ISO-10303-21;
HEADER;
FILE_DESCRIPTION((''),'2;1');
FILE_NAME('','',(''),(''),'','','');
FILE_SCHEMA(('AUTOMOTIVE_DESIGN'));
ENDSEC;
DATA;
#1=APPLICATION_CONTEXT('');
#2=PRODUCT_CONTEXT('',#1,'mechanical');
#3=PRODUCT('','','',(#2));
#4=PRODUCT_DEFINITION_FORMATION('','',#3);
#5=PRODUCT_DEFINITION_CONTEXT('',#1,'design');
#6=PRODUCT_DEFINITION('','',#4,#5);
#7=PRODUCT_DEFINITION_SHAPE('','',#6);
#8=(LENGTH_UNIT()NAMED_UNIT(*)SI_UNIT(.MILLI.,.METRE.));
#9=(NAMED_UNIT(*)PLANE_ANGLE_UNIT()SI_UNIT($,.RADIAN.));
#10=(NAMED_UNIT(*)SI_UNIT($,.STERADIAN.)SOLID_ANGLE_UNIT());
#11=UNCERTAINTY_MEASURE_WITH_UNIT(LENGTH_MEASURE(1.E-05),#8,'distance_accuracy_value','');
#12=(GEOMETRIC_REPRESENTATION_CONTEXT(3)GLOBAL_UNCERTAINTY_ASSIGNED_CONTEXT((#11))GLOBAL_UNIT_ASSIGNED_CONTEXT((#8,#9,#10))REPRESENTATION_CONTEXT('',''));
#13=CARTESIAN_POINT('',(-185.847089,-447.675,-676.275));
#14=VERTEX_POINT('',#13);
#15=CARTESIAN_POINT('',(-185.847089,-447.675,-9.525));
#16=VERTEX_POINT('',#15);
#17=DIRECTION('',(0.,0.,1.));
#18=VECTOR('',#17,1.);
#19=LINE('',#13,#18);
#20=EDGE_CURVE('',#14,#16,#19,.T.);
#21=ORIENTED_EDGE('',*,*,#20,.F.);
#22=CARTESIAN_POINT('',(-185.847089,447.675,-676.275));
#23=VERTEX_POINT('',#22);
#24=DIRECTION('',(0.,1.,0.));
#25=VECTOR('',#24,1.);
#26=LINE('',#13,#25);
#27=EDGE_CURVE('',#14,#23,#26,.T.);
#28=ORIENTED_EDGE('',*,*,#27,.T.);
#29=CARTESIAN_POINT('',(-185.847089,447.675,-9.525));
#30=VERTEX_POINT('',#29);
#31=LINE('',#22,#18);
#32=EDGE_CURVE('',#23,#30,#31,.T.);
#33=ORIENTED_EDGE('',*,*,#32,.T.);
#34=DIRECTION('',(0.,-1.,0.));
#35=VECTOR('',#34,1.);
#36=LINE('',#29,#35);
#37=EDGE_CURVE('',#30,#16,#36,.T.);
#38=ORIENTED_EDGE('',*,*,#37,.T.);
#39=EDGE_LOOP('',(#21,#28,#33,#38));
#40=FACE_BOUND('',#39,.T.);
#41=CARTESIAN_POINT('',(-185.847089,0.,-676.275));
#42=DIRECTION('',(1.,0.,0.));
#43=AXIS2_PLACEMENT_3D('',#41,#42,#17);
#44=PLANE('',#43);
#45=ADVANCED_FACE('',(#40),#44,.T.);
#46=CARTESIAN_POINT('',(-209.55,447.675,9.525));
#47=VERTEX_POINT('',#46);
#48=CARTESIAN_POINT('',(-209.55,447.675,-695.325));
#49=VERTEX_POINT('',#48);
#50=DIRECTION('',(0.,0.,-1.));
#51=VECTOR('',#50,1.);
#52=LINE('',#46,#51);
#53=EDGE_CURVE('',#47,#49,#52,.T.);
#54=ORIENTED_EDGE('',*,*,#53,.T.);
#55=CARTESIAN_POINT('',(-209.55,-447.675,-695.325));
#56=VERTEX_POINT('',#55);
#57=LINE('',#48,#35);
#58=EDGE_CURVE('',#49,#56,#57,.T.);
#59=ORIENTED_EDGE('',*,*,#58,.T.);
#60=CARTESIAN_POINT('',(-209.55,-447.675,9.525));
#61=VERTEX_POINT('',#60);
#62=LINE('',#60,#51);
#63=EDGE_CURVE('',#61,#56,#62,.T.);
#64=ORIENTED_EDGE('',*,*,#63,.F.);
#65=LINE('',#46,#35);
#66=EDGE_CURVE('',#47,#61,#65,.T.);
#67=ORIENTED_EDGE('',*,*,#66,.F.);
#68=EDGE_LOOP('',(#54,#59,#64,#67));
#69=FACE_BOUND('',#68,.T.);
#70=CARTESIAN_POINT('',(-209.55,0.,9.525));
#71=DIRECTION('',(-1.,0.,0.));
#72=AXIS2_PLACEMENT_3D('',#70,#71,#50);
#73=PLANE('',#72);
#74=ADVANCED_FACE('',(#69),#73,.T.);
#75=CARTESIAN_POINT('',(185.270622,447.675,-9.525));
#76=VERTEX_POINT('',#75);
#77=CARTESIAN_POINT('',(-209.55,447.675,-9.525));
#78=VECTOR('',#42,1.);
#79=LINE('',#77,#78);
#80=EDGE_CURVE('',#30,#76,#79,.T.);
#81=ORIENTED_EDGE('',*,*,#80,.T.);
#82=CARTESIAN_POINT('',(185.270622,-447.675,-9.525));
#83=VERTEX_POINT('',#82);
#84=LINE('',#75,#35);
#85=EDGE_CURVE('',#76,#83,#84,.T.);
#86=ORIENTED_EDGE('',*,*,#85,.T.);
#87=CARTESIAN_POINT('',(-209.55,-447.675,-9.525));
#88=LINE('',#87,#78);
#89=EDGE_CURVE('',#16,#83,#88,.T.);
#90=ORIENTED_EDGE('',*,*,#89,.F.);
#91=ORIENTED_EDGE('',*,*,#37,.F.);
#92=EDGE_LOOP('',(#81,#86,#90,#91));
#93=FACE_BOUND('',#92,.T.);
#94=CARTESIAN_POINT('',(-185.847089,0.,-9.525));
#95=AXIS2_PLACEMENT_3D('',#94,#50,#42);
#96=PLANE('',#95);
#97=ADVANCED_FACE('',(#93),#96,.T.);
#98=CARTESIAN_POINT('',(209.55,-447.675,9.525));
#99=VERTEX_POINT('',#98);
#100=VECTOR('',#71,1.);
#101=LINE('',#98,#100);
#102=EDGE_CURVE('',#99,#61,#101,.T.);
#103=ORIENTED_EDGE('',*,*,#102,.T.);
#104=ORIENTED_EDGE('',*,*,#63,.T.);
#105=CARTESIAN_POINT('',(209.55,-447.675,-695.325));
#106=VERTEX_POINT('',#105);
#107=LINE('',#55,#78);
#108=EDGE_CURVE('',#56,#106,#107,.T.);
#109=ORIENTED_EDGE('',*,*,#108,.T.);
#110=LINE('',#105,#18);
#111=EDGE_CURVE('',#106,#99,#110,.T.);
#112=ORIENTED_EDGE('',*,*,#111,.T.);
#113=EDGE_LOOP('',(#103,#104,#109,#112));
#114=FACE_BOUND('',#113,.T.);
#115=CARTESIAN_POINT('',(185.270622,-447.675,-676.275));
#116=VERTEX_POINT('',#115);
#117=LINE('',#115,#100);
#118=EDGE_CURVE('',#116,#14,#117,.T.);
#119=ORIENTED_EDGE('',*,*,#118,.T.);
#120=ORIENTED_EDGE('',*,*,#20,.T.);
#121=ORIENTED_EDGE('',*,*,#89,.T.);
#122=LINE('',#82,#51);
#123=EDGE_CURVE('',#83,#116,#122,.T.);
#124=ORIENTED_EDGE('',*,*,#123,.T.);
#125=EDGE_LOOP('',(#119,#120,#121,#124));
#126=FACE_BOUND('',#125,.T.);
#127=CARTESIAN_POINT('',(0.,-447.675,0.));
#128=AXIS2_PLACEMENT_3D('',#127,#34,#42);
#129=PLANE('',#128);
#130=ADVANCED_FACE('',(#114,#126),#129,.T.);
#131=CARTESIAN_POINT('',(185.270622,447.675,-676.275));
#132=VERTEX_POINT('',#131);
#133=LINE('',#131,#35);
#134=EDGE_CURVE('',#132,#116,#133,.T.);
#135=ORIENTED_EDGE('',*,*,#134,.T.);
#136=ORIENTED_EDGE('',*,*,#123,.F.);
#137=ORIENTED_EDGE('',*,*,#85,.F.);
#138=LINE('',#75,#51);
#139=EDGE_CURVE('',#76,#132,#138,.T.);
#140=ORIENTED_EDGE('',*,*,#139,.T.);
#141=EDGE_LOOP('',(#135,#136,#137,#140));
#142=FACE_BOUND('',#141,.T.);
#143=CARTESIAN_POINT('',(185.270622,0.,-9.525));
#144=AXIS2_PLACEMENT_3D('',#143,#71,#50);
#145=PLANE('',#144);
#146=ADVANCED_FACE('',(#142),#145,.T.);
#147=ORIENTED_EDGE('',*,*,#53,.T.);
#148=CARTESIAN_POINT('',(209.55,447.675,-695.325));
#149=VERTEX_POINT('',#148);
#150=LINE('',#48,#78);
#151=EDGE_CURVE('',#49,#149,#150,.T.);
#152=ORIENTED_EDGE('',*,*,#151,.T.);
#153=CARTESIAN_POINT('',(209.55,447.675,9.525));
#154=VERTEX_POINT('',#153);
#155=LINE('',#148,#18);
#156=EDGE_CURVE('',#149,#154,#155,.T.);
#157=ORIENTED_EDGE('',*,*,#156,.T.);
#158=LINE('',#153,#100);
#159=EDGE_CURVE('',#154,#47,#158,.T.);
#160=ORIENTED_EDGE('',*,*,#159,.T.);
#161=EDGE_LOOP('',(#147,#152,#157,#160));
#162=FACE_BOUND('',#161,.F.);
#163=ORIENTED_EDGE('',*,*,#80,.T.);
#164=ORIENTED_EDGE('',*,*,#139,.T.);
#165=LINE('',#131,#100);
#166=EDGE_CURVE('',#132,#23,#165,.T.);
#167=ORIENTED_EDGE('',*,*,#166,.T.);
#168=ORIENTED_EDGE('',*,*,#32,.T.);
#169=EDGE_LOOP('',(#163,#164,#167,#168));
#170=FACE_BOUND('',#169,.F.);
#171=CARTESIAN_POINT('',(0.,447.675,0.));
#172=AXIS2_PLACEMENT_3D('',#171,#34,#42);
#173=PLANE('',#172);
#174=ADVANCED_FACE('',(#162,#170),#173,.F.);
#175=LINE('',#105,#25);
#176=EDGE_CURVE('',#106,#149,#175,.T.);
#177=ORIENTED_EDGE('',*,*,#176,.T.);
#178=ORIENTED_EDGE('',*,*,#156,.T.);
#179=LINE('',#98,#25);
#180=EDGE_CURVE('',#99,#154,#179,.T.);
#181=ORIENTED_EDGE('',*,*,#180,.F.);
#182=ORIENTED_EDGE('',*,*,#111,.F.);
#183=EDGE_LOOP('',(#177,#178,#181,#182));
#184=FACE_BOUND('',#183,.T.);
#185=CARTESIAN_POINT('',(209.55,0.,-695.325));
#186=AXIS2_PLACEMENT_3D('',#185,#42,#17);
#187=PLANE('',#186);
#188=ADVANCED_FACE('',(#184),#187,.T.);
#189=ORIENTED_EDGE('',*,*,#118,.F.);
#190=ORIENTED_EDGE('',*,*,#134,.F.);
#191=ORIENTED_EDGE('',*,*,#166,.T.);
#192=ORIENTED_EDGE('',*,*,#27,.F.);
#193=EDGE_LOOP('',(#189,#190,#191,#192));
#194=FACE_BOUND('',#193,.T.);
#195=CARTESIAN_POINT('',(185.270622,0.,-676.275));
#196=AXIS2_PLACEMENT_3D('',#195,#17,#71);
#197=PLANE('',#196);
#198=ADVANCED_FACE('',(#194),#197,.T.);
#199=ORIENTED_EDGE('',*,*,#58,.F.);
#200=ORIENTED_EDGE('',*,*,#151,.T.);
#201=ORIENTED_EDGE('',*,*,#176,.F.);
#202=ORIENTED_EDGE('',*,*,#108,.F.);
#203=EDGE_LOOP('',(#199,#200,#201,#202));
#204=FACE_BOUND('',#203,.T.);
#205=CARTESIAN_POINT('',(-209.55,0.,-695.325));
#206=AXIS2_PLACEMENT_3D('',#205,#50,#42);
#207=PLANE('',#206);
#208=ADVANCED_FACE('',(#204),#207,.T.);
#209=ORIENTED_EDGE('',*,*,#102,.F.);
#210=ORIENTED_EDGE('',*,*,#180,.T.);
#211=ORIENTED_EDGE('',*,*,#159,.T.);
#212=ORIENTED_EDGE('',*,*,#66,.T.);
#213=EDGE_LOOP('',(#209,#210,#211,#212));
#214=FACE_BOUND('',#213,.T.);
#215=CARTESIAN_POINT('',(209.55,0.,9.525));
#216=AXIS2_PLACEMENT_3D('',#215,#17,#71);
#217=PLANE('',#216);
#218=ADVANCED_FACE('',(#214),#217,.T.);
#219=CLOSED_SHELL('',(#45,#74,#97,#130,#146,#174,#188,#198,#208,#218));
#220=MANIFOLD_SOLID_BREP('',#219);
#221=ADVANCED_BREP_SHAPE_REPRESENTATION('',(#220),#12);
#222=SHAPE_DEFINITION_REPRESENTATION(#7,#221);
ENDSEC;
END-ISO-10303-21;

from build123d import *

# Parameters (mm, degrees)
F1_DEPTH = 447.675


with BuildPart() as f1:
    # F0 (on Front) → F1 (new body, symmetric)
    with BuildSketch(Plane.XZ):
        Polygon((209.55, -9.525), (209.55, 9.525), (-209.55, 9.525), (-209.55, -9.525), (-185.8470886946, -9.525), (185.2706223726, -9.525), align=None)
        Polygon((209.55, -676.275), (209.55, -9.525), (185.2706223726, -9.525), (185.2706223726, -644.525), (185.2706223726, -676.275), align=None)
        Polygon((-185.8470886946, -9.525), (-209.55, -9.525), (-209.55, -676.275), (-185.8470886946, -676.275), (-185.8470886946, -644.525), align=None)
        Polygon((209.55, -695.325), (209.55, -676.275), (185.2706223726, -676.275), (-185.8470886946, -676.275), (-209.55, -676.275), (-209.55, -695.325), align=None)
    extrude(amount=F1_DEPTH, both=True)


solid = f1.part
